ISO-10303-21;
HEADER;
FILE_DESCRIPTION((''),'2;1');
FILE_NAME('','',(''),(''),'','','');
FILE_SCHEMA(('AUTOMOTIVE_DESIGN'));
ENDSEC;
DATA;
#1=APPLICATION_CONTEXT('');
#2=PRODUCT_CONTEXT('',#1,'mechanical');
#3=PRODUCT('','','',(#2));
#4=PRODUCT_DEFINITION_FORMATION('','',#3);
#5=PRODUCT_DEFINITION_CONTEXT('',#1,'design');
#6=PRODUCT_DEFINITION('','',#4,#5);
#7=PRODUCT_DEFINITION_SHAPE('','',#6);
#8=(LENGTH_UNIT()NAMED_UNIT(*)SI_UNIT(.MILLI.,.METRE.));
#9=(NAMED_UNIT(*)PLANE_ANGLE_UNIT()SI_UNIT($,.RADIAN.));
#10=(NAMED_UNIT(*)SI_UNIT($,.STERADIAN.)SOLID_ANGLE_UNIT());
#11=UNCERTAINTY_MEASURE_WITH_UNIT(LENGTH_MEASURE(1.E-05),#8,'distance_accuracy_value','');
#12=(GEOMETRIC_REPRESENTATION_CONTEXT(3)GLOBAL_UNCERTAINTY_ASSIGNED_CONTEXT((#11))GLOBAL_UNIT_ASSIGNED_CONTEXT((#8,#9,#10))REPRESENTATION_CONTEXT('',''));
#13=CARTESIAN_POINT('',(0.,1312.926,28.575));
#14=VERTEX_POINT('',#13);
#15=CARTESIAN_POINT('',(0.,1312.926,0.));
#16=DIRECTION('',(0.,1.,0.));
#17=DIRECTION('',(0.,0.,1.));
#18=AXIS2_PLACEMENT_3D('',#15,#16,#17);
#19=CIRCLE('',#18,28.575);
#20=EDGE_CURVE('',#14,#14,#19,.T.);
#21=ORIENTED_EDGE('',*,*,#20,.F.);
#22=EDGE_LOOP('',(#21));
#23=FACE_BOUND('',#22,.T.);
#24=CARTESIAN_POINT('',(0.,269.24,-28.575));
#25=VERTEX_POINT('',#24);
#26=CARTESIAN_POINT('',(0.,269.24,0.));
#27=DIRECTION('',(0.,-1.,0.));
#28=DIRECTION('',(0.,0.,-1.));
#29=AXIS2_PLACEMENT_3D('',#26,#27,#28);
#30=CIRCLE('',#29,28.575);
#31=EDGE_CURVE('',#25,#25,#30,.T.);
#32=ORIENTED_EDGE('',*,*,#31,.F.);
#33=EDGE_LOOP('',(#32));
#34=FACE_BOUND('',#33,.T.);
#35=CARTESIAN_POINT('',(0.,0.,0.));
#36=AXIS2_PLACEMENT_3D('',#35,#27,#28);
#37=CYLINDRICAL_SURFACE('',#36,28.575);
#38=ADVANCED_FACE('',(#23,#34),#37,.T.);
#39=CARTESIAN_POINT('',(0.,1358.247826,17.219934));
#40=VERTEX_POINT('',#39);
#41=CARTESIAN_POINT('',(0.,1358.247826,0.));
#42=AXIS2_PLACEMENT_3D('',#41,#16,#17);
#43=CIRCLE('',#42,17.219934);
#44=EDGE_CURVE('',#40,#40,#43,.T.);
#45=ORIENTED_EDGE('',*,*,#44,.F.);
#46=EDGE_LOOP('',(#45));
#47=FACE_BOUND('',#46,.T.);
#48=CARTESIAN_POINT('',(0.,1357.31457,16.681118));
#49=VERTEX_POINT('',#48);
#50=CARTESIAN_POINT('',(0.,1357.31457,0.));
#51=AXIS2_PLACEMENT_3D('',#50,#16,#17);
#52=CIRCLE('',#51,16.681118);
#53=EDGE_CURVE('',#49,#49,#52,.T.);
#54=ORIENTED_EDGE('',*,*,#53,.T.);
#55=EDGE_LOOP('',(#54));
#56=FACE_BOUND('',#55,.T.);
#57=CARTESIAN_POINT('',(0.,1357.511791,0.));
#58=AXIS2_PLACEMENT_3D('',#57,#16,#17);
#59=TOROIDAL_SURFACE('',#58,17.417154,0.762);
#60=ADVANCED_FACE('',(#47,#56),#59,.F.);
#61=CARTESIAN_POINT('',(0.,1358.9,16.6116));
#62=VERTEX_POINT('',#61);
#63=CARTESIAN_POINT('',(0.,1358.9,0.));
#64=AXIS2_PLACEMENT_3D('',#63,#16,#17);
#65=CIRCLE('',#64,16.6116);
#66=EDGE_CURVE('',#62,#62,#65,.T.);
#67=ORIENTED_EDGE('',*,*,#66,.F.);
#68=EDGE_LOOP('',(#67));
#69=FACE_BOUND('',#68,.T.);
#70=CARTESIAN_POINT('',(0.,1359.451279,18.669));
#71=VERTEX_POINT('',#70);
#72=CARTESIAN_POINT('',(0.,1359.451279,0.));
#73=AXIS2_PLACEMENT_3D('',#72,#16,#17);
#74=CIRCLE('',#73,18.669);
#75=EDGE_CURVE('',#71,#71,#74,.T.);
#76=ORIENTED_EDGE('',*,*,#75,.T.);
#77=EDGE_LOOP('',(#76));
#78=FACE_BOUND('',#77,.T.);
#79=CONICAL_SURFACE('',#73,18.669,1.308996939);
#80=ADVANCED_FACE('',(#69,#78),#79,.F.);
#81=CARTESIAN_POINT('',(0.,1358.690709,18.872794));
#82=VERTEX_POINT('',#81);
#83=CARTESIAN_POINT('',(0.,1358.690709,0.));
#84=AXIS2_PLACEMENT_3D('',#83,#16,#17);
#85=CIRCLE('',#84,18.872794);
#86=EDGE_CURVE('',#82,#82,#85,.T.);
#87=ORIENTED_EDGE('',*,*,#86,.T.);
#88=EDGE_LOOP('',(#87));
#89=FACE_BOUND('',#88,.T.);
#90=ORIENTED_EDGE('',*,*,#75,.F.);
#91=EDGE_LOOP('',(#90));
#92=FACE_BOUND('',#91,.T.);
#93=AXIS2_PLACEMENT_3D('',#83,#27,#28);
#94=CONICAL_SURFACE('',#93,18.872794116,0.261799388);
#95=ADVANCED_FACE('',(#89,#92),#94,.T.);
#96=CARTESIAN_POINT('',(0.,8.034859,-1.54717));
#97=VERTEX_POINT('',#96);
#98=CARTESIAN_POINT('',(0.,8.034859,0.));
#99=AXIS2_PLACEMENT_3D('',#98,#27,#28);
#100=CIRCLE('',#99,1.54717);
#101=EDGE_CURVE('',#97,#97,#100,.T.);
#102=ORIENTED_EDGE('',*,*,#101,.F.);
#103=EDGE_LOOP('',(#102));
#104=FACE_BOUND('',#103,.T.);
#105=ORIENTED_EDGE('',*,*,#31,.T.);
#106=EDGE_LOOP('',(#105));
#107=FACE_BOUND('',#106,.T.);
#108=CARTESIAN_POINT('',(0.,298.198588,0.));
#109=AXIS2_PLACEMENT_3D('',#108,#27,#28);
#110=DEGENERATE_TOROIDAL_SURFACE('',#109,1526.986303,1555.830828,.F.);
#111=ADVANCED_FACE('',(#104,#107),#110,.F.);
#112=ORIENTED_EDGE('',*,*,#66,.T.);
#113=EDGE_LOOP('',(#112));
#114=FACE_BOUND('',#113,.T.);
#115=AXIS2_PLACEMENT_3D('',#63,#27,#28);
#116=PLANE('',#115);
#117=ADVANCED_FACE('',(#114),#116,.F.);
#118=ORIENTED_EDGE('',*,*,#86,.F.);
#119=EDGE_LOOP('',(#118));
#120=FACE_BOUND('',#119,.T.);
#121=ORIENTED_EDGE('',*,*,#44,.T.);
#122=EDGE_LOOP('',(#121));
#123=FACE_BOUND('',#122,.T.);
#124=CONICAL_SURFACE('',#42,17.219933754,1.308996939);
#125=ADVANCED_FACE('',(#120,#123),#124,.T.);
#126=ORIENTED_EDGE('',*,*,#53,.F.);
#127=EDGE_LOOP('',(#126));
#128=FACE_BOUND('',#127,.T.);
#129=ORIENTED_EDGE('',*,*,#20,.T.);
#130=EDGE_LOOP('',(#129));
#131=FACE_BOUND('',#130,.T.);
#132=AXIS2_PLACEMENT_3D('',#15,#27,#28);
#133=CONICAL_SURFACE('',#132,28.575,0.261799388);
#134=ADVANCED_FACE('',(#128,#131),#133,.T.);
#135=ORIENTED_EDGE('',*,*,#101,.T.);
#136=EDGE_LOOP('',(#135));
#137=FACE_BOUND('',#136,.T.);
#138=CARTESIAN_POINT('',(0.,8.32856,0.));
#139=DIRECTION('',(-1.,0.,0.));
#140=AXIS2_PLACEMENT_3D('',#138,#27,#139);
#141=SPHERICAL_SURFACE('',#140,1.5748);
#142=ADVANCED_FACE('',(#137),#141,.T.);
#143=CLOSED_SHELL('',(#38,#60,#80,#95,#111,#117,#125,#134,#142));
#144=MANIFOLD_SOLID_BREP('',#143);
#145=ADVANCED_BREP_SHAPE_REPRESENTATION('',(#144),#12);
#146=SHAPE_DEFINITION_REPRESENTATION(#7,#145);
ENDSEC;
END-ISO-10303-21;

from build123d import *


with BuildPart() as part:
    # Sketch2 → Revolve1 (revolve)
    with BuildSketch(Plane.XY):
        with BuildLine():
            Line((0, 1266.19), (0, 6.753760064))
            ThreePointArc((0, 6.753760064), (1.004358981, 7.115605787), (1.547169826, 8.034858568))
            ThreePointArc((1.547169826, 8.034858568), (20.581846727, 138.066176315), (28.575, 269.24))
            Line((28.575, 269.24), (28.575, 1266.19))
            Line((28.575, 1266.19), (0, 1266.19))
        make_face()
    revolve(axis=Axis((0, 0, 0), (0, 1, 0)))

    # Sketch3 → Revolve2 (revolve)
    with BuildSketch(Plane.XY):
        with BuildLine():
            Line((-28.575, 1312.926), (-28.575, 1266.19))
            Line((-28.575, 1266.19), (0, 1266.19))
            Line((0, 1266.19), (0, 1358.9))
            Line((0, 1358.9), (-16.6116, 1358.9))
            Line((-16.6116, 1358.9), (-18.669, 1359.451278669))
            Line((-18.669, 1359.451278669), (-18.872794116, 1358.690708673))
            Line((-18.872794116, 1358.690708673), (-17.219933754, 1358.247826074))
            ThreePointArc((-17.219933754, 1358.247826074), (-16.757242508, 1357.892790594), (-16.681118386, 1357.314570482))
            Line((-16.681118386, 1357.314570482), (-28.575, 1312.926))
        make_face()
    revolve(axis=Axis((0, 1358.9, 0), (0, -1, 0)))


solid = part.part
